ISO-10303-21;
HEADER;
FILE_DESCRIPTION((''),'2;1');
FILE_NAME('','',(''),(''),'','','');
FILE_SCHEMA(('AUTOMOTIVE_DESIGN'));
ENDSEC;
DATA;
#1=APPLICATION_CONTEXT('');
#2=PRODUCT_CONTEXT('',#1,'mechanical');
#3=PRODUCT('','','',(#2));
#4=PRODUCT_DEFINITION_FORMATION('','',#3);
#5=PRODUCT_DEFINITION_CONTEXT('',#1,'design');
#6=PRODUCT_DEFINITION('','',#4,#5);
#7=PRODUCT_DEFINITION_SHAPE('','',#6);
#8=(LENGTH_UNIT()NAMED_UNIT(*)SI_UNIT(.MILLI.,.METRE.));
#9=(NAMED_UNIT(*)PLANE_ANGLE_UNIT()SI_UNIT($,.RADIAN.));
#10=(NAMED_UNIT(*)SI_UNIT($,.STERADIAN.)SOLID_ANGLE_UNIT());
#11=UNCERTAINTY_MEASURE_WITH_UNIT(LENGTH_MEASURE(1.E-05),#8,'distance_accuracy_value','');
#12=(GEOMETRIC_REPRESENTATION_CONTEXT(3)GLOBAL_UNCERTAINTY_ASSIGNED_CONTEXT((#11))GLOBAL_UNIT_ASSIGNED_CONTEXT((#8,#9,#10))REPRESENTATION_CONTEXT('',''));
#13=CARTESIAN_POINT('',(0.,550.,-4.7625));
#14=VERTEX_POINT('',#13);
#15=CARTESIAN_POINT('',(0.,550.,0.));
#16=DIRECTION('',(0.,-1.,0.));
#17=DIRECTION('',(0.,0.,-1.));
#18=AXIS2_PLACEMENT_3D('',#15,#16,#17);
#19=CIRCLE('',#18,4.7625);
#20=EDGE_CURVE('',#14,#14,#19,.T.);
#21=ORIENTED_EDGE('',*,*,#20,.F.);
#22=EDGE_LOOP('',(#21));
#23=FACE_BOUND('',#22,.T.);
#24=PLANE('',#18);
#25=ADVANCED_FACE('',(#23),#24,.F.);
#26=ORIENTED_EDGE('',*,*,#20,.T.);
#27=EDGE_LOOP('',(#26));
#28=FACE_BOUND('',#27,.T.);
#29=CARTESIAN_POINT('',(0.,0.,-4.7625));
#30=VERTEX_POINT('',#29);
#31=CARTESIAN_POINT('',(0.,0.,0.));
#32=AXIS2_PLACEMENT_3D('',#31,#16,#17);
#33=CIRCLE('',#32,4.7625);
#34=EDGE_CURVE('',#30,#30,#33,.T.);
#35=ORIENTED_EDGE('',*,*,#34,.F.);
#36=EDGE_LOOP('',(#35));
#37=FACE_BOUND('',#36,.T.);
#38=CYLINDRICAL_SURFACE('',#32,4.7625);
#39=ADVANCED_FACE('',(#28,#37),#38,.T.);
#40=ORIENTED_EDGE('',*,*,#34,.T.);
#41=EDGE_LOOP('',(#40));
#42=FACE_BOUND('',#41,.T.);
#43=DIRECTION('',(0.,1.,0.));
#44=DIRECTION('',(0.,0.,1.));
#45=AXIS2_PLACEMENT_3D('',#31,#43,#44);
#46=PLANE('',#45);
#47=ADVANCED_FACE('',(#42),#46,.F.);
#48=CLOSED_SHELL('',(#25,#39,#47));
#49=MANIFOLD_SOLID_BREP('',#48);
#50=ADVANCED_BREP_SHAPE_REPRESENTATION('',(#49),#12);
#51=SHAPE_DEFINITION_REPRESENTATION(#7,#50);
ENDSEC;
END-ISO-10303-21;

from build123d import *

# Parameters (mm, degrees)
SKETCH2_W = 4.7625
SKETCH2_H = 550


with BuildPart() as part:
    # Sketch2 → Revolve1 (revolve)
    with BuildSketch(Plane.XY):
        with Locations((-2.38125, 275)):
            Rectangle(SKETCH2_W, SKETCH2_H)
    revolve(axis=Axis((0, 0, 0), (0, 1, 0)))


solid = part.part
